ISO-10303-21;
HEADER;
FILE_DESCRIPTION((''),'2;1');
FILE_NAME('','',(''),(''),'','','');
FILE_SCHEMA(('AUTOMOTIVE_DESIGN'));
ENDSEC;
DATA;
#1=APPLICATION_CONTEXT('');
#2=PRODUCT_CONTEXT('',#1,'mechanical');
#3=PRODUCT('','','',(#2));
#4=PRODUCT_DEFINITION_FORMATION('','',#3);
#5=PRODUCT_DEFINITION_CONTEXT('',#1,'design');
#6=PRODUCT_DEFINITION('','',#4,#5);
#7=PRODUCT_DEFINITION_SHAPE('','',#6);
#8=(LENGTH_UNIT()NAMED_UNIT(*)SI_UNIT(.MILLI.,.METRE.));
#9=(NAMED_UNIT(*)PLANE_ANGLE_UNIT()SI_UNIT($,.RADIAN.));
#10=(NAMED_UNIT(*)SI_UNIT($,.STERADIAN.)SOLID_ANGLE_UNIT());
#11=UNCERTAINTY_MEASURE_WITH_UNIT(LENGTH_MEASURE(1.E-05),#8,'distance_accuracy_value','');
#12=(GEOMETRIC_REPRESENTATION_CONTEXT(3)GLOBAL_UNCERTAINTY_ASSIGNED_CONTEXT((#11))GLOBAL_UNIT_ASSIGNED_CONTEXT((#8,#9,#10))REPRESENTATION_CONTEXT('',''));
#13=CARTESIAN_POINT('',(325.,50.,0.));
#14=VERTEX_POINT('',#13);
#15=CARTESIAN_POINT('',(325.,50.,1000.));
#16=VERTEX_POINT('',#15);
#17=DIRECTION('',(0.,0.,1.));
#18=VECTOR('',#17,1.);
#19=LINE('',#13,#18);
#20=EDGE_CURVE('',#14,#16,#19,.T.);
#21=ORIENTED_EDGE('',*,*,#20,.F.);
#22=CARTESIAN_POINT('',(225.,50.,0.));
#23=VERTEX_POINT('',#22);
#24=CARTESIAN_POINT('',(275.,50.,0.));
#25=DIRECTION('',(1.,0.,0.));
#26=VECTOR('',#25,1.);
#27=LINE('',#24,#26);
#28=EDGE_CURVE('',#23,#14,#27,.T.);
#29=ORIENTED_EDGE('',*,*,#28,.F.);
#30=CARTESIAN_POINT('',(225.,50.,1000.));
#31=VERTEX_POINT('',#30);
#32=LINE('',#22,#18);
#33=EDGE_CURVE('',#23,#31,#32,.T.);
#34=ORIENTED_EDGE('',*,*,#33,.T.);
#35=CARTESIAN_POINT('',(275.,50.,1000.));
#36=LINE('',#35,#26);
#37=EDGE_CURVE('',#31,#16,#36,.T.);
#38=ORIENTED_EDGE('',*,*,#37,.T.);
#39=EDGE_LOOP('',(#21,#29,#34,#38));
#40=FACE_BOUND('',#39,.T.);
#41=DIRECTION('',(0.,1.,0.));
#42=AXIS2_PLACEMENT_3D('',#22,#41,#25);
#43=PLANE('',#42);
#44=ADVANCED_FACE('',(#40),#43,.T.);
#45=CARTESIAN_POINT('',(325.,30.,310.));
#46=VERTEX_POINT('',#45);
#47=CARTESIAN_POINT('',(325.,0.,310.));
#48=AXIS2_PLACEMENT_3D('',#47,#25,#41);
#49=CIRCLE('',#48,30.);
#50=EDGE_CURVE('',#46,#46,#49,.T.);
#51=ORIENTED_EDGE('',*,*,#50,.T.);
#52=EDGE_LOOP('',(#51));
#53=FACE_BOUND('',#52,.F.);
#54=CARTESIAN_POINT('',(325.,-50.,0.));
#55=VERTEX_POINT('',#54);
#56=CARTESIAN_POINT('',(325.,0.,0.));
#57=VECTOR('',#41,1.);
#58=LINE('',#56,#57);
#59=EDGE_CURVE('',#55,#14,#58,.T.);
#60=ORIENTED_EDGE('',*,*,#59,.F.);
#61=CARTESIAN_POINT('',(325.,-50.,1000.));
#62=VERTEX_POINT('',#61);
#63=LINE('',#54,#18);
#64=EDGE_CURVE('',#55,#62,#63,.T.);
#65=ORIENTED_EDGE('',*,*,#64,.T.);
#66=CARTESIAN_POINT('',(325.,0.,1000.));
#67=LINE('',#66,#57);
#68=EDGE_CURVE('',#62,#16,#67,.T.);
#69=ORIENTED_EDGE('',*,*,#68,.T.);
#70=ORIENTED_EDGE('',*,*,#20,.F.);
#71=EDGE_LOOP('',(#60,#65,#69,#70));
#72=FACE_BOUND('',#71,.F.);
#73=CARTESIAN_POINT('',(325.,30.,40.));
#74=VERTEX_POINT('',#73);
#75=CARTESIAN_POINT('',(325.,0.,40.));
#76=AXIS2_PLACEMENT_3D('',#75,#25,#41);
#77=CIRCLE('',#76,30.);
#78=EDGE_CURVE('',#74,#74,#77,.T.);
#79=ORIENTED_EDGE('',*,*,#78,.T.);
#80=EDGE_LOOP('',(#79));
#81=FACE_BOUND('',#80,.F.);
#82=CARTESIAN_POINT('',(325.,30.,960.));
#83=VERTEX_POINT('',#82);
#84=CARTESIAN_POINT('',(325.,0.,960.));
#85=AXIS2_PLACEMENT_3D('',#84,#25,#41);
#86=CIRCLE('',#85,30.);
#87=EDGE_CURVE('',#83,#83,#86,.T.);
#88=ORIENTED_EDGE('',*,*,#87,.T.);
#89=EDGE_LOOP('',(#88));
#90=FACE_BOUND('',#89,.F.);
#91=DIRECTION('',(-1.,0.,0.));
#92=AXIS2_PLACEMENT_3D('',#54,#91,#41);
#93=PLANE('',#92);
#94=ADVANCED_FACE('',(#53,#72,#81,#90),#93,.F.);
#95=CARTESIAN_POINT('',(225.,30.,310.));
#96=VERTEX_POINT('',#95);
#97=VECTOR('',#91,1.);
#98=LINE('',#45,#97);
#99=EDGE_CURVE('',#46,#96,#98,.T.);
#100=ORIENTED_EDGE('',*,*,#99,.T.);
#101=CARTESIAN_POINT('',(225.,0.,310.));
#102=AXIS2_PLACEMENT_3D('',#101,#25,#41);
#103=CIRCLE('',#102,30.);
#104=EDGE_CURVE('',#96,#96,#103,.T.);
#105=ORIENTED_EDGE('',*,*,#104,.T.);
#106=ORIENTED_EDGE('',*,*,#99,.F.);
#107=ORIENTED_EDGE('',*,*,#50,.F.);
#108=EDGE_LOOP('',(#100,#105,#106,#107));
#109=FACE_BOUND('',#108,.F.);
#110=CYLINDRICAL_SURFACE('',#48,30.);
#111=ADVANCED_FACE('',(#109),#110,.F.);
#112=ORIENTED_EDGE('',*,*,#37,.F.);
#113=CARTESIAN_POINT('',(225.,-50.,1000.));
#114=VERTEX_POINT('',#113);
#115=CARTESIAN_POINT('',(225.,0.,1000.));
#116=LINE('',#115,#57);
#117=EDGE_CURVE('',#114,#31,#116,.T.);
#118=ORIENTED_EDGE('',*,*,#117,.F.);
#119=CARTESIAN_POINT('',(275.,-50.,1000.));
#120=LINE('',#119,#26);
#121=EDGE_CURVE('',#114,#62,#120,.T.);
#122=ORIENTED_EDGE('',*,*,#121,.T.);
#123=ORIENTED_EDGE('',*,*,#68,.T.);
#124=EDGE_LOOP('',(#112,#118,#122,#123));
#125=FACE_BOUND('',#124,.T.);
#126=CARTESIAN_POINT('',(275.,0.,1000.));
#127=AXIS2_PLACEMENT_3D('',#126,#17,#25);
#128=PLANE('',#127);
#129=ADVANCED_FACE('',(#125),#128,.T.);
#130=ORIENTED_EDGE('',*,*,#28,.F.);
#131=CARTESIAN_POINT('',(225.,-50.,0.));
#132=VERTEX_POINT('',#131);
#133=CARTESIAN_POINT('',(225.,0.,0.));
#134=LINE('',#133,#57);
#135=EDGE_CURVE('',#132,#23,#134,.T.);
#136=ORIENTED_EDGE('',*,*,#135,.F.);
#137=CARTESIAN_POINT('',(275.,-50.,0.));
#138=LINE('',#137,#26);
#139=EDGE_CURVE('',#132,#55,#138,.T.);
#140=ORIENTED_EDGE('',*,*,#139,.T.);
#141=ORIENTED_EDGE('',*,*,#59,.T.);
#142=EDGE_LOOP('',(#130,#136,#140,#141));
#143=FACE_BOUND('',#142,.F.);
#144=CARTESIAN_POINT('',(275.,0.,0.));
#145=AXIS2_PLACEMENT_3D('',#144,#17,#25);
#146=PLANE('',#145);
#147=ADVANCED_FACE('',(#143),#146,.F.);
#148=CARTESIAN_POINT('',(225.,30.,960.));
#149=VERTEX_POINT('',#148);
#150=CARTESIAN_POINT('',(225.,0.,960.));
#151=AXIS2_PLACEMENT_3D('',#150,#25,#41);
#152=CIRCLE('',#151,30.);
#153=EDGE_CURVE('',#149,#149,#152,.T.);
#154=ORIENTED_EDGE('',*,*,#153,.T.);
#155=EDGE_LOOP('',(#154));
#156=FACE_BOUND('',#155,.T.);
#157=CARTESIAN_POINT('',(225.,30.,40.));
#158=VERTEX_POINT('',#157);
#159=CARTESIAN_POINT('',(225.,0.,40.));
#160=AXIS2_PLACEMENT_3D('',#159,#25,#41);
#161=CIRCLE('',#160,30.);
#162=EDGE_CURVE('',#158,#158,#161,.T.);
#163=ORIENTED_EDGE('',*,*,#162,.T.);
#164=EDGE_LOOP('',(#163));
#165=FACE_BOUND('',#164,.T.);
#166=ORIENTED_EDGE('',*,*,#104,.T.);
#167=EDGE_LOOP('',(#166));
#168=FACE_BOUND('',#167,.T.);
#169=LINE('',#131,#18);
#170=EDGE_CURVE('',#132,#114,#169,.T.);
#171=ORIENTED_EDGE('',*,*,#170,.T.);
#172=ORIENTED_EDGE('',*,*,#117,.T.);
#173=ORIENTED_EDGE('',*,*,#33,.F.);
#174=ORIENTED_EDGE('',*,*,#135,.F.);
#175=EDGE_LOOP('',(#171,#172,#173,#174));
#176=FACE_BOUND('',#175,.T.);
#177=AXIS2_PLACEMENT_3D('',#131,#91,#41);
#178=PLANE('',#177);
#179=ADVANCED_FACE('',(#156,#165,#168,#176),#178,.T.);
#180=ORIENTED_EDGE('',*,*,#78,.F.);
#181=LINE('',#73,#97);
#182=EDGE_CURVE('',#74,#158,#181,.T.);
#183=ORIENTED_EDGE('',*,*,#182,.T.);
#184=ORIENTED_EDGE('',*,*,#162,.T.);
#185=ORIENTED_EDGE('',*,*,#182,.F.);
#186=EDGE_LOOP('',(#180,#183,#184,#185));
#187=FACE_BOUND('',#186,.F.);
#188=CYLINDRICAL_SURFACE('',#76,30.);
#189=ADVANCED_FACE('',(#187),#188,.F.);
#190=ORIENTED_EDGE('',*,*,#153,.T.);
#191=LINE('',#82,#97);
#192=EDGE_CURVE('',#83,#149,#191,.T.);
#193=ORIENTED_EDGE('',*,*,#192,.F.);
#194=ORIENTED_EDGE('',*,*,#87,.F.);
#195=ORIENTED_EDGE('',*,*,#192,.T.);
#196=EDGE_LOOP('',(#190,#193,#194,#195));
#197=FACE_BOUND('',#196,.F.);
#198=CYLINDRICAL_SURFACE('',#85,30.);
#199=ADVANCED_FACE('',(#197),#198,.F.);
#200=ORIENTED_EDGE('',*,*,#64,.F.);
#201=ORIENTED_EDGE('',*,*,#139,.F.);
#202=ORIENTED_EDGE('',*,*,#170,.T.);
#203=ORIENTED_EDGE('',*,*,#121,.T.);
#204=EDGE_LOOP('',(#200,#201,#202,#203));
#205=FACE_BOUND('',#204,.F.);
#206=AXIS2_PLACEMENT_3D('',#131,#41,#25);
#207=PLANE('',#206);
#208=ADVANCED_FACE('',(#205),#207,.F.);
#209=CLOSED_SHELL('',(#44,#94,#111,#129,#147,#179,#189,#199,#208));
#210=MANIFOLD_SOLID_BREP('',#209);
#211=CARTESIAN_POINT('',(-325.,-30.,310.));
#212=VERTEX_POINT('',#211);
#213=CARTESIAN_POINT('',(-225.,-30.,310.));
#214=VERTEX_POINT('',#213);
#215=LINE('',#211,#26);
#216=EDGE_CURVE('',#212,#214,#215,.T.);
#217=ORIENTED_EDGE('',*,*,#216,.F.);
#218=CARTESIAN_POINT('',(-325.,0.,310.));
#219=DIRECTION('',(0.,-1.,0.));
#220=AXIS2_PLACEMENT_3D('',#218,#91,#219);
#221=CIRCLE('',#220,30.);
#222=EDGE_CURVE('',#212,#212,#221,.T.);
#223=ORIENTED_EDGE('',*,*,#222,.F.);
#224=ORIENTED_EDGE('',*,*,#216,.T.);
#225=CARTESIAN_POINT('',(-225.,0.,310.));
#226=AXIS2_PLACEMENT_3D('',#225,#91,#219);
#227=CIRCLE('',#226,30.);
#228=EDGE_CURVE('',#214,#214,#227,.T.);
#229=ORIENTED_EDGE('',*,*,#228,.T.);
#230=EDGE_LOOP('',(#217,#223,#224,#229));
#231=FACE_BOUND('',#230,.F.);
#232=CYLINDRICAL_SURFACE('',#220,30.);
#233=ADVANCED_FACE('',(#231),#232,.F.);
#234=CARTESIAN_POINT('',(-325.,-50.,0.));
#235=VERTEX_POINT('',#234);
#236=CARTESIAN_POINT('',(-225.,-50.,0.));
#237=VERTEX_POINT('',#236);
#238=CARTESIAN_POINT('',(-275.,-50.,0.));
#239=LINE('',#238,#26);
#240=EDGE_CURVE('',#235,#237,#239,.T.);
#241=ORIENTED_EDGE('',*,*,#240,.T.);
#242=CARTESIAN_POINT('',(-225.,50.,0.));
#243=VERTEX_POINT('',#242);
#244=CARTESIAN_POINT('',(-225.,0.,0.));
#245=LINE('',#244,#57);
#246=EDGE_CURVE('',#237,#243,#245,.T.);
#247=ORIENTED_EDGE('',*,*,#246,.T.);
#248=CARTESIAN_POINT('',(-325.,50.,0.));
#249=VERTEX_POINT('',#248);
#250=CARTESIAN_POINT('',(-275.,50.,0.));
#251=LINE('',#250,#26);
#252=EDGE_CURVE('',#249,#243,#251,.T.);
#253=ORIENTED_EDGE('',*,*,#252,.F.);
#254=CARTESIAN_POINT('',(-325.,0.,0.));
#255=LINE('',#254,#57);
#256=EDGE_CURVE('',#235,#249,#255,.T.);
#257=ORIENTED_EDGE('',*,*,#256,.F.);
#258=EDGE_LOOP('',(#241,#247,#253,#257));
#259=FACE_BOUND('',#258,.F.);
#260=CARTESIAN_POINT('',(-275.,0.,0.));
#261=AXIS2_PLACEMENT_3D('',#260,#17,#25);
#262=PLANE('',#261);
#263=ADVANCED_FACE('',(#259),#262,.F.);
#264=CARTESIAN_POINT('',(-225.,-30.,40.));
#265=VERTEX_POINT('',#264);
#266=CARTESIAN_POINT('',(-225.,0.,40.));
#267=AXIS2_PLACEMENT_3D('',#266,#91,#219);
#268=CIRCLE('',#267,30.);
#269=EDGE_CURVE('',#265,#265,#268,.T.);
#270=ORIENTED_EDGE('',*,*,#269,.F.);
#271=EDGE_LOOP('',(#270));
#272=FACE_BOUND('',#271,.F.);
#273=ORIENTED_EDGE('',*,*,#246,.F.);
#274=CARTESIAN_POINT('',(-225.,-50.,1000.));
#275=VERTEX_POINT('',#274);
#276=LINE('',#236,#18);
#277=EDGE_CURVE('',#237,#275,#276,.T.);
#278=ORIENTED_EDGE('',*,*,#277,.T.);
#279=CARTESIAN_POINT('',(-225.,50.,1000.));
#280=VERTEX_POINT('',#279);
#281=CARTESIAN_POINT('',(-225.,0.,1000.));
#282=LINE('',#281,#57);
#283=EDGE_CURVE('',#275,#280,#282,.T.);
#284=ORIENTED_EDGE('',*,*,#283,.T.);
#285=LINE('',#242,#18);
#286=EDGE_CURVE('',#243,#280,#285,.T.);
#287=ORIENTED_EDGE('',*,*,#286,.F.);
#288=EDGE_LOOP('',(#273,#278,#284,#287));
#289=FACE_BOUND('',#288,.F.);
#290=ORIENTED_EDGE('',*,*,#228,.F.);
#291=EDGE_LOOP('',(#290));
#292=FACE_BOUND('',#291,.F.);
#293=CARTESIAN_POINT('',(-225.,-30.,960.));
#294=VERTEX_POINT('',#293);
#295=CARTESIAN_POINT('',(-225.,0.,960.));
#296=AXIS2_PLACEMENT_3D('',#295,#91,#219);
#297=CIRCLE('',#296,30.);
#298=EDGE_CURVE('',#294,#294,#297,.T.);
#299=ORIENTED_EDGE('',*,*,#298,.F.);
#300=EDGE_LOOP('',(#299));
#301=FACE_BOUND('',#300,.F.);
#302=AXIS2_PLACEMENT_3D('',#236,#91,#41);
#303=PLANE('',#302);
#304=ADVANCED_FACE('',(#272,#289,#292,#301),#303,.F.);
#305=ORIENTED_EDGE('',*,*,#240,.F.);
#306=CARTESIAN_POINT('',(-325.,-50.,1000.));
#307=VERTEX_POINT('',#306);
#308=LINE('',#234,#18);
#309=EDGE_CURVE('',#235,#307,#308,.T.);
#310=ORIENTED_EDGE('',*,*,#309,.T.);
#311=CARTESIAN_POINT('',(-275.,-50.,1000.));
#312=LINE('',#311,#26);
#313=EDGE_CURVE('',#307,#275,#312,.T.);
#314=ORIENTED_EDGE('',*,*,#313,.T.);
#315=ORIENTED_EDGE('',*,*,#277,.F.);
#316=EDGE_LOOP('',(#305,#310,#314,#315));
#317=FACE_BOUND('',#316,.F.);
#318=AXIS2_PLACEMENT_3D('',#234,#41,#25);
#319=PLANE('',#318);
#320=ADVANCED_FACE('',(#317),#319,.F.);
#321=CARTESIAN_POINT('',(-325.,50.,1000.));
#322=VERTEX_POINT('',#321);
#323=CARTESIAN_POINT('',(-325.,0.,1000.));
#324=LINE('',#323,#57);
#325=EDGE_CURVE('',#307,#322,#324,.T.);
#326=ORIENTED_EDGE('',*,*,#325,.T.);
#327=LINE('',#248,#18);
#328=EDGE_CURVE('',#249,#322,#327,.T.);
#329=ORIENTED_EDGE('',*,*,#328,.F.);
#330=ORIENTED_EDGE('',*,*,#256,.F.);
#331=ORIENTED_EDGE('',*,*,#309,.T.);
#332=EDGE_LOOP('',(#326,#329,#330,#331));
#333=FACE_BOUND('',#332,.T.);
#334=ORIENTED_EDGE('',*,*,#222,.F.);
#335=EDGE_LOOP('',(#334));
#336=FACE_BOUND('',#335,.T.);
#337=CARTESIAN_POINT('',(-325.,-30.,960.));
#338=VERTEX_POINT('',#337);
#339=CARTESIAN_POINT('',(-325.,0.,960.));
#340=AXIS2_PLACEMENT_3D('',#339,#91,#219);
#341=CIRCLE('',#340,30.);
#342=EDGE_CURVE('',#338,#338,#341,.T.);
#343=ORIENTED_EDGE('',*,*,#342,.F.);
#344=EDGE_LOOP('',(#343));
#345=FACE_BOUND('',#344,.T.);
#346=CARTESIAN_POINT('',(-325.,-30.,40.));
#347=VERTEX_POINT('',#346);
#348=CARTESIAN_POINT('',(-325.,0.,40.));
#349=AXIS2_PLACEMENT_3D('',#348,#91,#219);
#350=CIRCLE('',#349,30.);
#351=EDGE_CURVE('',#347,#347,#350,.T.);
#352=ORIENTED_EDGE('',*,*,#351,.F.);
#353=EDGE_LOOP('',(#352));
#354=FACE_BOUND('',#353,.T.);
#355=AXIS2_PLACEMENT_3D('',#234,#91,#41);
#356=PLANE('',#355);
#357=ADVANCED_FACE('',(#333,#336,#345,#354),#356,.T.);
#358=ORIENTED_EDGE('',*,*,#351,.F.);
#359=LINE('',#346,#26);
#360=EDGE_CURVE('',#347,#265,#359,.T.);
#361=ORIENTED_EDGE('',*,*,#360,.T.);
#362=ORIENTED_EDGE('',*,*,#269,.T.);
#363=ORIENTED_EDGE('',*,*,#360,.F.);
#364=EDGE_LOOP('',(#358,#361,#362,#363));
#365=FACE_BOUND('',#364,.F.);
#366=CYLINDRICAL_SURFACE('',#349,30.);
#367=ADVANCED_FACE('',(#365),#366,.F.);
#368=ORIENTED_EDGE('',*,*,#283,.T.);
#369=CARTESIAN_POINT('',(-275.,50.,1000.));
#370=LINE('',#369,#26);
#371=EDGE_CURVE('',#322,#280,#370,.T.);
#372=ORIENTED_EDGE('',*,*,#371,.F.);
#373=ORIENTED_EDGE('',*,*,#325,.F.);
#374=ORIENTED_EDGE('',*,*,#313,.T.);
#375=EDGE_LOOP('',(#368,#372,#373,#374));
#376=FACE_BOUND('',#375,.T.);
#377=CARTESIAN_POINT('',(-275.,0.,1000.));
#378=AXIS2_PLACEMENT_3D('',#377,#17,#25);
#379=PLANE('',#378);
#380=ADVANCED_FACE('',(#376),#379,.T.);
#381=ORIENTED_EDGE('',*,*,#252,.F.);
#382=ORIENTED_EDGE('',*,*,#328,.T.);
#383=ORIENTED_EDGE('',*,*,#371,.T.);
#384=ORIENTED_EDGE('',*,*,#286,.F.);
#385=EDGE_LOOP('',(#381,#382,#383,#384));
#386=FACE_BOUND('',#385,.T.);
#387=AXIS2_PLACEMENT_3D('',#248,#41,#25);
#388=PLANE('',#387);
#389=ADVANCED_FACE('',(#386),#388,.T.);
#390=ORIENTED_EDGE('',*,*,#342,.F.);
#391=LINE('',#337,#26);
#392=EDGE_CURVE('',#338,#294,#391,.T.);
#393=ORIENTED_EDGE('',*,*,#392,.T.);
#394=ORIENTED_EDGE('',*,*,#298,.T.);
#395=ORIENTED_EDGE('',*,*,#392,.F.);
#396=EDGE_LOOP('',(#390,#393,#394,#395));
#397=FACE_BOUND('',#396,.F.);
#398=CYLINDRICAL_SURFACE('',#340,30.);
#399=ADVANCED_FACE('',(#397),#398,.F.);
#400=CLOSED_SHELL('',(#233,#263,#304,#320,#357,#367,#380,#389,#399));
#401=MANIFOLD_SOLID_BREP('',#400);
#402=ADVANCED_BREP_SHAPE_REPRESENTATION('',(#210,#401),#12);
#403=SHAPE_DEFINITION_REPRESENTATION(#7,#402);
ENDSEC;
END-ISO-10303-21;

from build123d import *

# Parameters (mm, degrees)
F0_W      = 100
F0_H      = 100
F1_DEPTH  = 1000
F2_R      = 30
F3_DEPTH  = 100
F4_R      = 30
F5_DEPTH  = 100
F6_R      = 30
F7_DEPTH  = 100
F8_R      = 30
F9_DEPTH  = 100
F10_R     = 30
F11_DEPTH = 100
F12_R     = 30
F13_DEPTH = 100


with BuildPart() as f1:
    # F0 (on Top) → F1 (new body)
    with BuildSketch(Plane.XY):
        with Locations((-275, 0)):
            Rectangle(F0_W, F0_H)
        with Locations((275, 0)):
            Rectangle(F0_W, F0_H)
    extrude(amount=F1_DEPTH)

    # F2 (on face) → F3 (cut)
    with BuildSketch(Plane(origin=(-325, 0, 0), x_dir=(0, -1, 0), z_dir=(-1, 0, 0))):
        with Locations((0, 960)):
            Circle(F2_R)
    extrude(amount=-F3_DEPTH, mode=Mode.SUBTRACT)

    # F4 (on face) → F5 (cut)
    with BuildSketch(Plane.YZ.offset(325)):
        with Locations((0, 40)):
            Circle(F4_R)
    extrude(amount=-F5_DEPTH, mode=Mode.SUBTRACT)

    # F6 (on face) → F7 (cut)
    with BuildSketch(Plane.YZ.offset(325)):
        with Locations((0, 960)):
            Circle(F6_R)
    extrude(amount=-F7_DEPTH, mode=Mode.SUBTRACT)

    # F8 (on face) → F9 (cut)
    with BuildSketch(Plane(origin=(-325, 0, 0), x_dir=(0, -1, 0), z_dir=(-1, 0, 0))):
        with Locations((0, 40)):
            Circle(F8_R)
    extrude(amount=-F9_DEPTH, mode=Mode.SUBTRACT)

    # F10 (on face) → F11 (cut)
    with BuildSketch(Plane.YZ.offset(325)):
        with Locations((0, 310)):
            Circle(F10_R)
    extrude(amount=-F11_DEPTH, mode=Mode.SUBTRACT)

    # F12 (on face) → F13 (cut)
    with BuildSketch(Plane(origin=(-325, 0, 0), x_dir=(0, -1, 0), z_dir=(-1, 0, 0))):
        with Locations((0, 310)):
            Circle(F12_R)
    extrude(amount=-F13_DEPTH, mode=Mode.SUBTRACT)


solid = f1.part
